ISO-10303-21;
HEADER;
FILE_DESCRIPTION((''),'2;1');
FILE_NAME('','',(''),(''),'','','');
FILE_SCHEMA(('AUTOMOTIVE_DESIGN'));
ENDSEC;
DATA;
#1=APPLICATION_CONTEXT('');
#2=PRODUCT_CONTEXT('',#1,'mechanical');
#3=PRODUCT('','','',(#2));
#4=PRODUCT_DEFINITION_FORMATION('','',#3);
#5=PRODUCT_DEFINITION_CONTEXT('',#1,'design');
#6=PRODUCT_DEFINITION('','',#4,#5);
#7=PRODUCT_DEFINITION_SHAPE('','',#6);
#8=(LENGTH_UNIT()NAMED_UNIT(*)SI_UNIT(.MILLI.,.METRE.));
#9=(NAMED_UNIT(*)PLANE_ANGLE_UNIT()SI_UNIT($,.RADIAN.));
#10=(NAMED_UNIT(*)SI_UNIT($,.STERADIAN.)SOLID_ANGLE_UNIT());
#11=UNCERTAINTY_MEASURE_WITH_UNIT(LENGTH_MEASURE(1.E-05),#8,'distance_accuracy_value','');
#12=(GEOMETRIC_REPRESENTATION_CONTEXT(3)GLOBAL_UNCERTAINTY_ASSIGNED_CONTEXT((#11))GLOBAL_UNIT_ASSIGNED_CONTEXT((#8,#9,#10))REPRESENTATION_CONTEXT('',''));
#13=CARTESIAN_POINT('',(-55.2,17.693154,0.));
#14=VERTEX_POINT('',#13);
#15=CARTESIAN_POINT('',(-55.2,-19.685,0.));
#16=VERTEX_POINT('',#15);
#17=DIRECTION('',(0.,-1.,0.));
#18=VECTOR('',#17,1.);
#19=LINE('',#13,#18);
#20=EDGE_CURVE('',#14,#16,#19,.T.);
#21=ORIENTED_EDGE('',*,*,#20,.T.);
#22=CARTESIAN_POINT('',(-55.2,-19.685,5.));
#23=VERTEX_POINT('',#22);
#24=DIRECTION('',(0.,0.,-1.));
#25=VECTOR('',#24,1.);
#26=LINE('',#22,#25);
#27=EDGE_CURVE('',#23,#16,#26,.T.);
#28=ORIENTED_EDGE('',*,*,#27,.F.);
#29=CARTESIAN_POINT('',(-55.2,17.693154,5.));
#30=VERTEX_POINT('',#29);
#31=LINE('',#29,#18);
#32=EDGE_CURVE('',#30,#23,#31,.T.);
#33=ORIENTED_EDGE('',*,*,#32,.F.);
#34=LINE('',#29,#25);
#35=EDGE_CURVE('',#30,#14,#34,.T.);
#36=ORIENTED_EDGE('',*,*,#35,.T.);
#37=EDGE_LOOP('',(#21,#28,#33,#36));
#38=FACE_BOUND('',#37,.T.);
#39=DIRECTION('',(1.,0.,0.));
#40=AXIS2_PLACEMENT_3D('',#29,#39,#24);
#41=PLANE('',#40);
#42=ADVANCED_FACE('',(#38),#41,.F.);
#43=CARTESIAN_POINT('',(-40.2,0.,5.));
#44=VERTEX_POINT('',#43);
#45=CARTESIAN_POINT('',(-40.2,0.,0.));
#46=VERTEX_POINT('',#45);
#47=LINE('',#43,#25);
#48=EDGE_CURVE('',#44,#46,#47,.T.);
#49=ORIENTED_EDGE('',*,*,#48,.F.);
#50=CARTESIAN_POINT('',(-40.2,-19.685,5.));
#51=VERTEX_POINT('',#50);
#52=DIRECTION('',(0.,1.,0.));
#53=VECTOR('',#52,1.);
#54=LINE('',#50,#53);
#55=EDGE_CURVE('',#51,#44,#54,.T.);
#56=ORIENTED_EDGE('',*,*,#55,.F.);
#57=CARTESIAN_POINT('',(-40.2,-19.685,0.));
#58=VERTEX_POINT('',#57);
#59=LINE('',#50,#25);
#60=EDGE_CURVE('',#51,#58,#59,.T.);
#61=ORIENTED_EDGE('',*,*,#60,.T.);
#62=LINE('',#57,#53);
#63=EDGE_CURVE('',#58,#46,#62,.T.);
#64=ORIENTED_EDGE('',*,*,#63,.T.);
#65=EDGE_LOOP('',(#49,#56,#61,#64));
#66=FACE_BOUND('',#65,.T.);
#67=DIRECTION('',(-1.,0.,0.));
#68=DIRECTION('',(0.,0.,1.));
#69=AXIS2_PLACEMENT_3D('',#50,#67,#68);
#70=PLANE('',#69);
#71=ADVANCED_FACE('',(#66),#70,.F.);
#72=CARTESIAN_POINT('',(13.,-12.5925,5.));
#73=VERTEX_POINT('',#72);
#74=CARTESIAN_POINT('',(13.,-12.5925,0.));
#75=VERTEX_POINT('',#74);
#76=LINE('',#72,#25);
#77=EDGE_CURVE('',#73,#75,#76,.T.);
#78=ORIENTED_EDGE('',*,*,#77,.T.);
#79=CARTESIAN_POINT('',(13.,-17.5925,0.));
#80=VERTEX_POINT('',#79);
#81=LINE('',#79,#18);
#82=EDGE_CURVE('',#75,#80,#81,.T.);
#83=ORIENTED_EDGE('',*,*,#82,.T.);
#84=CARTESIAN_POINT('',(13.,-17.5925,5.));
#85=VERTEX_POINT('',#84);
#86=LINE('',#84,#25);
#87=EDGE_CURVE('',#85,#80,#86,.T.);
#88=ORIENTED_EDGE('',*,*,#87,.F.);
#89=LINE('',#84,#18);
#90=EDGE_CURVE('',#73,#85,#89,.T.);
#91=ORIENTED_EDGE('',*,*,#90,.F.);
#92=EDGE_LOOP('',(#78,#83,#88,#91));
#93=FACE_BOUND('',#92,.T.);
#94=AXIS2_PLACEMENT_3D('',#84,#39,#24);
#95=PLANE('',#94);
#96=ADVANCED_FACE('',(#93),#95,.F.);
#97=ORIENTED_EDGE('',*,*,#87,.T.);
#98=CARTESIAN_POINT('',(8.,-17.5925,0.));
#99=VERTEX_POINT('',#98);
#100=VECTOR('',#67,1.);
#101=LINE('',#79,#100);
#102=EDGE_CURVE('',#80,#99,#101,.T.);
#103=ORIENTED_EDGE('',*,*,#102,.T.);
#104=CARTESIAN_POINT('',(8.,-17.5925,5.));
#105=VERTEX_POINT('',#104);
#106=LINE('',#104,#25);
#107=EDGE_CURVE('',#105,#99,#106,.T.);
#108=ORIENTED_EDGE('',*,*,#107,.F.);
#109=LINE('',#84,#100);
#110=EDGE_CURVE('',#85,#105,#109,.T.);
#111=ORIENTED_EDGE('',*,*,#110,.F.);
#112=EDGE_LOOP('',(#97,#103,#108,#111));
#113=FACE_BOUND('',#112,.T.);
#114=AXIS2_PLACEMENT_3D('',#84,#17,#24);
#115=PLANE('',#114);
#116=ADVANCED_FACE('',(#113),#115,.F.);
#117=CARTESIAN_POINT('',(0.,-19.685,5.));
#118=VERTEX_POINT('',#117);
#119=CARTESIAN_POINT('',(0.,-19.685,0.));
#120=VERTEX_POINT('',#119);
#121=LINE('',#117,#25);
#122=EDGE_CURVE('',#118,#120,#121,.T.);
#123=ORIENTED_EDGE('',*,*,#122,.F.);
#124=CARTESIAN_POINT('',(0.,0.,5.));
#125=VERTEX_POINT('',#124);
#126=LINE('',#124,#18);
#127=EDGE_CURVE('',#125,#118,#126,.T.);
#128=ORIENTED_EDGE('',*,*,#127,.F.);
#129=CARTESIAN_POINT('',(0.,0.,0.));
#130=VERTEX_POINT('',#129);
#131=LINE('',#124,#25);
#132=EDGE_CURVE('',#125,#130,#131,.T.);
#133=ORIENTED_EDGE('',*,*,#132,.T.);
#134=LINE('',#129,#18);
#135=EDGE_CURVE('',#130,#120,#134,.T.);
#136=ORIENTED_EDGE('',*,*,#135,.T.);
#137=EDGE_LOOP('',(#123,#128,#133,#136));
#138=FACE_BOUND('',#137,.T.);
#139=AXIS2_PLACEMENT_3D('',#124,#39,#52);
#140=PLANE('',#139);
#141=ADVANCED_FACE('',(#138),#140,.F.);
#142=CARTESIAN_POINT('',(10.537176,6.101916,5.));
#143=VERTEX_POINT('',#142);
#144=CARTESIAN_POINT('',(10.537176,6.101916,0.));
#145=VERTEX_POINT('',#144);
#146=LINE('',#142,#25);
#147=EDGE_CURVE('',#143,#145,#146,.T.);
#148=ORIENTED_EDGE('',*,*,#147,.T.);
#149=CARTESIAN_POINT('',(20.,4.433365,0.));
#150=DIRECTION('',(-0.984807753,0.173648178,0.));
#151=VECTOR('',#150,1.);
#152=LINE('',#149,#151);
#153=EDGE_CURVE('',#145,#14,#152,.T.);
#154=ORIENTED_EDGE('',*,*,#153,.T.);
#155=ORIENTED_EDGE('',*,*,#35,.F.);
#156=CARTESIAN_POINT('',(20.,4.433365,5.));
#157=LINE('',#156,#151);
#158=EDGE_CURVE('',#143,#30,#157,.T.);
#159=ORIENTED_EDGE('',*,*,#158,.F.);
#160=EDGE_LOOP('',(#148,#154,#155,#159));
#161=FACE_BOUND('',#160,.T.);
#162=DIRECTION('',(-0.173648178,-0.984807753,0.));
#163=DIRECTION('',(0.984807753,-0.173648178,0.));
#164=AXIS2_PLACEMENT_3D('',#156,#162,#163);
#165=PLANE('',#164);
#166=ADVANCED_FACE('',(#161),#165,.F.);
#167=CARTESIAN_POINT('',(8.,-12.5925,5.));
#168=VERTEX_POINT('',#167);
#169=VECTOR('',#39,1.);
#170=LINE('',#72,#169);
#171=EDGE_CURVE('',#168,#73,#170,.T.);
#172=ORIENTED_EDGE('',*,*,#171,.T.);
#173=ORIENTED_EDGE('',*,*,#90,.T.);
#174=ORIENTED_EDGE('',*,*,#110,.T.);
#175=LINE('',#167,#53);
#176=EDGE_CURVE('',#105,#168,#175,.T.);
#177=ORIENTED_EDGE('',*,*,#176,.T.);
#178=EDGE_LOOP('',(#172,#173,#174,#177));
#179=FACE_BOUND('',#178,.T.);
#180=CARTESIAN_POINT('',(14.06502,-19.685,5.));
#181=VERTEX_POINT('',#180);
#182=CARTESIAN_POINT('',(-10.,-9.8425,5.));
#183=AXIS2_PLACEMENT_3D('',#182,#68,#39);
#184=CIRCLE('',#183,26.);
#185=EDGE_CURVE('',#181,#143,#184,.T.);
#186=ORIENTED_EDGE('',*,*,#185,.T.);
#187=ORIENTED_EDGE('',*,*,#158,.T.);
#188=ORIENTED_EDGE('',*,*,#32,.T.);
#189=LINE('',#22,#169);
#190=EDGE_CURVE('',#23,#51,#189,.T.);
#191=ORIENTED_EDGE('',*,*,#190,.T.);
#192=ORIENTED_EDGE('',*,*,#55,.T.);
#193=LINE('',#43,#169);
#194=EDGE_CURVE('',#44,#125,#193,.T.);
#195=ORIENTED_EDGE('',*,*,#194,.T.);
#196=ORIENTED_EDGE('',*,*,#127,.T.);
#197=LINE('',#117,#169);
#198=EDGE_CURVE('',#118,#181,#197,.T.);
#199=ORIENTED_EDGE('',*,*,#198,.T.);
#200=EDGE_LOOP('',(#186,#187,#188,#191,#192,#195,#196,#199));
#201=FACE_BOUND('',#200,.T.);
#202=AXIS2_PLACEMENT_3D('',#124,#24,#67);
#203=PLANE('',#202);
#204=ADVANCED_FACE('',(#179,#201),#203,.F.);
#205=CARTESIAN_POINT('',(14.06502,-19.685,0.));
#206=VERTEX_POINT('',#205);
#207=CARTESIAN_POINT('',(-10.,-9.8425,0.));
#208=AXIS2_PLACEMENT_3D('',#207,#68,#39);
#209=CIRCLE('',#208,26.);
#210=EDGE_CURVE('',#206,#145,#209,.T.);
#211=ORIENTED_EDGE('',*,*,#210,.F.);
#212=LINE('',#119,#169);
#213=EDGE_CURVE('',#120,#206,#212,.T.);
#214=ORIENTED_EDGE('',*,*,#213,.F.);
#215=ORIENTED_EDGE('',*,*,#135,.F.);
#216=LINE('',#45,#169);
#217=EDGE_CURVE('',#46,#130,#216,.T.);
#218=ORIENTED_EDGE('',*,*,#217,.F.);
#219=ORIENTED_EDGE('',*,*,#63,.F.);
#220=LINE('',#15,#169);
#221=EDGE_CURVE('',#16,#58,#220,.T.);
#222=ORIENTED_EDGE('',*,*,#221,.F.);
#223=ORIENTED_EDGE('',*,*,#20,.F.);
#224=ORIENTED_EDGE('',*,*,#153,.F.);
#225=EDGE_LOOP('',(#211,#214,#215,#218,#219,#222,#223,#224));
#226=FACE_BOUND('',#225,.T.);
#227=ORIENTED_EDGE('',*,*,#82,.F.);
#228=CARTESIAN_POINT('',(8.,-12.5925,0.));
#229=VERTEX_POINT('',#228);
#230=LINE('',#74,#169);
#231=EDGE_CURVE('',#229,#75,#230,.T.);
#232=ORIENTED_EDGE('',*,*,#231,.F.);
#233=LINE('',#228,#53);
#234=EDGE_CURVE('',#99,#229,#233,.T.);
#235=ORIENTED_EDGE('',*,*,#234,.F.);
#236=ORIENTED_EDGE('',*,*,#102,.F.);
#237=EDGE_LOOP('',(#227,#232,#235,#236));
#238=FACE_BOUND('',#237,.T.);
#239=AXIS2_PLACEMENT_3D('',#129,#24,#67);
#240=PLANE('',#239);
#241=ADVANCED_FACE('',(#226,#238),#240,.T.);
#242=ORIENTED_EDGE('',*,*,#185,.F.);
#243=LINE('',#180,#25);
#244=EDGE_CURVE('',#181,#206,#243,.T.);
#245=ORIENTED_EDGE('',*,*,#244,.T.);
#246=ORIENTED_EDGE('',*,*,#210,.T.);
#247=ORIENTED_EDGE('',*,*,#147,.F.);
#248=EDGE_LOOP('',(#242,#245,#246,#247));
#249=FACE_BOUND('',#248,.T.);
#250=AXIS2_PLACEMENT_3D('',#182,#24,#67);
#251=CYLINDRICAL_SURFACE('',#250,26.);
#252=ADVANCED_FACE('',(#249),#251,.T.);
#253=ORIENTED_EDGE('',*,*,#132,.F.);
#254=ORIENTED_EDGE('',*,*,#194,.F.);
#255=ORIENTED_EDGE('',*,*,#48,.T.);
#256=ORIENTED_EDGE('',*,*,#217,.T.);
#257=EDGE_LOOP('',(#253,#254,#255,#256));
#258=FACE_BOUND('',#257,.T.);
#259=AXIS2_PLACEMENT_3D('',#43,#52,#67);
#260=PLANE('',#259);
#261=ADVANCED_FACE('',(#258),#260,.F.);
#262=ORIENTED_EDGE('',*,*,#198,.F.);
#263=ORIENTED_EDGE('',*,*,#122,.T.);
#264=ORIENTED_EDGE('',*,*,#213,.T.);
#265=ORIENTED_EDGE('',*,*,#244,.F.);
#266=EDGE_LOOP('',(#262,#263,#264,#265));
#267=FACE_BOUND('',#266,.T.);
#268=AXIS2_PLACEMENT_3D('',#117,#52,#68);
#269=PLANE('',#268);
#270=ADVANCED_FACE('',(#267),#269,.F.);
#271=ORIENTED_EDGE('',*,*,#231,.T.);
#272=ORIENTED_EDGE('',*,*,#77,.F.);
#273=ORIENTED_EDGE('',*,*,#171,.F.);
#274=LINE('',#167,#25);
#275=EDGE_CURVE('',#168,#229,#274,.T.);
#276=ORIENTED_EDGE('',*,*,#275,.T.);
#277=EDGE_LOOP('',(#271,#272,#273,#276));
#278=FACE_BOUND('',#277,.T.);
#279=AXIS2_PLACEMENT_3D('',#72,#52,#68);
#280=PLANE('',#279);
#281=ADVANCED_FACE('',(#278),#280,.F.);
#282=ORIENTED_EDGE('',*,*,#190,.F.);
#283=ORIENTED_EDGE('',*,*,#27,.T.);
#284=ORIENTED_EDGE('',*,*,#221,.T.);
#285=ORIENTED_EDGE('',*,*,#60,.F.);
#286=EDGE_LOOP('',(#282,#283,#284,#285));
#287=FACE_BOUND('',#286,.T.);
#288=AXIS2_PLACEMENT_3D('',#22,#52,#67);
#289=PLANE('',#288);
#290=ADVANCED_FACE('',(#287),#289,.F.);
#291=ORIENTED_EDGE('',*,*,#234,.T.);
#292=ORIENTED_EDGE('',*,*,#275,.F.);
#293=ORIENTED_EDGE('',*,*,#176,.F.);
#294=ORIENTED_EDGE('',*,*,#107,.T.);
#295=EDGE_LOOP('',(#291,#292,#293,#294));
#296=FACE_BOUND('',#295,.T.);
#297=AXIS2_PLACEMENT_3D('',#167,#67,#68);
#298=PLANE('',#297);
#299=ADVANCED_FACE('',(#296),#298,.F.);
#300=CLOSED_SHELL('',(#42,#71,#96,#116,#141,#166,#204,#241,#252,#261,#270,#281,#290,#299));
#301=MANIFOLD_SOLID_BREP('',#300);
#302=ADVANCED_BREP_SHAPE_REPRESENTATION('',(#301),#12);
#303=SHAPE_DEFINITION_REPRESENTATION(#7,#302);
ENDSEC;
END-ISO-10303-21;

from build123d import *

# Parameters (mm, degrees)
BOSS_EXTRU_1_DEPTH      = 5
ESQUISSE2_W             = 5
ESQUISSE2_H             = 5
ENL_V_MAT_EXTRU_1_DEPTH = 5


with BuildPart() as part:
    # Esquisse1 → Boss.-Extru.1 (new body)
    with BuildSketch(Plane.XY):
        Polygon((0, 0), (0, -19.685), (20, -19.685), (20, 4.433365096), (-55.2, 17.693154046), (-55.2, -19.685), (-40.2, -19.685), (-40.2, 0), align=None)
    extrude(amount=BOSS_EXTRU_1_DEPTH)

    # Esquisse2 → Enlèv. mat.-Extru.1 (cut)
    with BuildSketch(Plane(origin=(0, 0, 0), x_dir=(-1, 0, 0), z_dir=(0, 0, -1))):
        with BuildLine():
            Line((-10.537175757, 6.101916324), (-11.23314954, 10.048979788))
            Line((-11.23314954, 10.048979788), (-30.732234233, 6.610765057))
            Line((-30.732234233, 6.610765057), (-25.732815565, -21.742347141))
            Line((-25.732815565, -21.742347141), (-14.065020128, -19.685))
            ThreePointArc((-14.065020128, -19.685), (-15.760051103, -6.318330994), (-10.537175757, 6.101916324))
        make_face()
        with Locations((-10.5, -15.0925)):
            Rectangle(ESQUISSE2_W, ESQUISSE2_H)
    extrude(amount=-ENL_V_MAT_EXTRU_1_DEPTH, mode=Mode.SUBTRACT)


solid = part.part
